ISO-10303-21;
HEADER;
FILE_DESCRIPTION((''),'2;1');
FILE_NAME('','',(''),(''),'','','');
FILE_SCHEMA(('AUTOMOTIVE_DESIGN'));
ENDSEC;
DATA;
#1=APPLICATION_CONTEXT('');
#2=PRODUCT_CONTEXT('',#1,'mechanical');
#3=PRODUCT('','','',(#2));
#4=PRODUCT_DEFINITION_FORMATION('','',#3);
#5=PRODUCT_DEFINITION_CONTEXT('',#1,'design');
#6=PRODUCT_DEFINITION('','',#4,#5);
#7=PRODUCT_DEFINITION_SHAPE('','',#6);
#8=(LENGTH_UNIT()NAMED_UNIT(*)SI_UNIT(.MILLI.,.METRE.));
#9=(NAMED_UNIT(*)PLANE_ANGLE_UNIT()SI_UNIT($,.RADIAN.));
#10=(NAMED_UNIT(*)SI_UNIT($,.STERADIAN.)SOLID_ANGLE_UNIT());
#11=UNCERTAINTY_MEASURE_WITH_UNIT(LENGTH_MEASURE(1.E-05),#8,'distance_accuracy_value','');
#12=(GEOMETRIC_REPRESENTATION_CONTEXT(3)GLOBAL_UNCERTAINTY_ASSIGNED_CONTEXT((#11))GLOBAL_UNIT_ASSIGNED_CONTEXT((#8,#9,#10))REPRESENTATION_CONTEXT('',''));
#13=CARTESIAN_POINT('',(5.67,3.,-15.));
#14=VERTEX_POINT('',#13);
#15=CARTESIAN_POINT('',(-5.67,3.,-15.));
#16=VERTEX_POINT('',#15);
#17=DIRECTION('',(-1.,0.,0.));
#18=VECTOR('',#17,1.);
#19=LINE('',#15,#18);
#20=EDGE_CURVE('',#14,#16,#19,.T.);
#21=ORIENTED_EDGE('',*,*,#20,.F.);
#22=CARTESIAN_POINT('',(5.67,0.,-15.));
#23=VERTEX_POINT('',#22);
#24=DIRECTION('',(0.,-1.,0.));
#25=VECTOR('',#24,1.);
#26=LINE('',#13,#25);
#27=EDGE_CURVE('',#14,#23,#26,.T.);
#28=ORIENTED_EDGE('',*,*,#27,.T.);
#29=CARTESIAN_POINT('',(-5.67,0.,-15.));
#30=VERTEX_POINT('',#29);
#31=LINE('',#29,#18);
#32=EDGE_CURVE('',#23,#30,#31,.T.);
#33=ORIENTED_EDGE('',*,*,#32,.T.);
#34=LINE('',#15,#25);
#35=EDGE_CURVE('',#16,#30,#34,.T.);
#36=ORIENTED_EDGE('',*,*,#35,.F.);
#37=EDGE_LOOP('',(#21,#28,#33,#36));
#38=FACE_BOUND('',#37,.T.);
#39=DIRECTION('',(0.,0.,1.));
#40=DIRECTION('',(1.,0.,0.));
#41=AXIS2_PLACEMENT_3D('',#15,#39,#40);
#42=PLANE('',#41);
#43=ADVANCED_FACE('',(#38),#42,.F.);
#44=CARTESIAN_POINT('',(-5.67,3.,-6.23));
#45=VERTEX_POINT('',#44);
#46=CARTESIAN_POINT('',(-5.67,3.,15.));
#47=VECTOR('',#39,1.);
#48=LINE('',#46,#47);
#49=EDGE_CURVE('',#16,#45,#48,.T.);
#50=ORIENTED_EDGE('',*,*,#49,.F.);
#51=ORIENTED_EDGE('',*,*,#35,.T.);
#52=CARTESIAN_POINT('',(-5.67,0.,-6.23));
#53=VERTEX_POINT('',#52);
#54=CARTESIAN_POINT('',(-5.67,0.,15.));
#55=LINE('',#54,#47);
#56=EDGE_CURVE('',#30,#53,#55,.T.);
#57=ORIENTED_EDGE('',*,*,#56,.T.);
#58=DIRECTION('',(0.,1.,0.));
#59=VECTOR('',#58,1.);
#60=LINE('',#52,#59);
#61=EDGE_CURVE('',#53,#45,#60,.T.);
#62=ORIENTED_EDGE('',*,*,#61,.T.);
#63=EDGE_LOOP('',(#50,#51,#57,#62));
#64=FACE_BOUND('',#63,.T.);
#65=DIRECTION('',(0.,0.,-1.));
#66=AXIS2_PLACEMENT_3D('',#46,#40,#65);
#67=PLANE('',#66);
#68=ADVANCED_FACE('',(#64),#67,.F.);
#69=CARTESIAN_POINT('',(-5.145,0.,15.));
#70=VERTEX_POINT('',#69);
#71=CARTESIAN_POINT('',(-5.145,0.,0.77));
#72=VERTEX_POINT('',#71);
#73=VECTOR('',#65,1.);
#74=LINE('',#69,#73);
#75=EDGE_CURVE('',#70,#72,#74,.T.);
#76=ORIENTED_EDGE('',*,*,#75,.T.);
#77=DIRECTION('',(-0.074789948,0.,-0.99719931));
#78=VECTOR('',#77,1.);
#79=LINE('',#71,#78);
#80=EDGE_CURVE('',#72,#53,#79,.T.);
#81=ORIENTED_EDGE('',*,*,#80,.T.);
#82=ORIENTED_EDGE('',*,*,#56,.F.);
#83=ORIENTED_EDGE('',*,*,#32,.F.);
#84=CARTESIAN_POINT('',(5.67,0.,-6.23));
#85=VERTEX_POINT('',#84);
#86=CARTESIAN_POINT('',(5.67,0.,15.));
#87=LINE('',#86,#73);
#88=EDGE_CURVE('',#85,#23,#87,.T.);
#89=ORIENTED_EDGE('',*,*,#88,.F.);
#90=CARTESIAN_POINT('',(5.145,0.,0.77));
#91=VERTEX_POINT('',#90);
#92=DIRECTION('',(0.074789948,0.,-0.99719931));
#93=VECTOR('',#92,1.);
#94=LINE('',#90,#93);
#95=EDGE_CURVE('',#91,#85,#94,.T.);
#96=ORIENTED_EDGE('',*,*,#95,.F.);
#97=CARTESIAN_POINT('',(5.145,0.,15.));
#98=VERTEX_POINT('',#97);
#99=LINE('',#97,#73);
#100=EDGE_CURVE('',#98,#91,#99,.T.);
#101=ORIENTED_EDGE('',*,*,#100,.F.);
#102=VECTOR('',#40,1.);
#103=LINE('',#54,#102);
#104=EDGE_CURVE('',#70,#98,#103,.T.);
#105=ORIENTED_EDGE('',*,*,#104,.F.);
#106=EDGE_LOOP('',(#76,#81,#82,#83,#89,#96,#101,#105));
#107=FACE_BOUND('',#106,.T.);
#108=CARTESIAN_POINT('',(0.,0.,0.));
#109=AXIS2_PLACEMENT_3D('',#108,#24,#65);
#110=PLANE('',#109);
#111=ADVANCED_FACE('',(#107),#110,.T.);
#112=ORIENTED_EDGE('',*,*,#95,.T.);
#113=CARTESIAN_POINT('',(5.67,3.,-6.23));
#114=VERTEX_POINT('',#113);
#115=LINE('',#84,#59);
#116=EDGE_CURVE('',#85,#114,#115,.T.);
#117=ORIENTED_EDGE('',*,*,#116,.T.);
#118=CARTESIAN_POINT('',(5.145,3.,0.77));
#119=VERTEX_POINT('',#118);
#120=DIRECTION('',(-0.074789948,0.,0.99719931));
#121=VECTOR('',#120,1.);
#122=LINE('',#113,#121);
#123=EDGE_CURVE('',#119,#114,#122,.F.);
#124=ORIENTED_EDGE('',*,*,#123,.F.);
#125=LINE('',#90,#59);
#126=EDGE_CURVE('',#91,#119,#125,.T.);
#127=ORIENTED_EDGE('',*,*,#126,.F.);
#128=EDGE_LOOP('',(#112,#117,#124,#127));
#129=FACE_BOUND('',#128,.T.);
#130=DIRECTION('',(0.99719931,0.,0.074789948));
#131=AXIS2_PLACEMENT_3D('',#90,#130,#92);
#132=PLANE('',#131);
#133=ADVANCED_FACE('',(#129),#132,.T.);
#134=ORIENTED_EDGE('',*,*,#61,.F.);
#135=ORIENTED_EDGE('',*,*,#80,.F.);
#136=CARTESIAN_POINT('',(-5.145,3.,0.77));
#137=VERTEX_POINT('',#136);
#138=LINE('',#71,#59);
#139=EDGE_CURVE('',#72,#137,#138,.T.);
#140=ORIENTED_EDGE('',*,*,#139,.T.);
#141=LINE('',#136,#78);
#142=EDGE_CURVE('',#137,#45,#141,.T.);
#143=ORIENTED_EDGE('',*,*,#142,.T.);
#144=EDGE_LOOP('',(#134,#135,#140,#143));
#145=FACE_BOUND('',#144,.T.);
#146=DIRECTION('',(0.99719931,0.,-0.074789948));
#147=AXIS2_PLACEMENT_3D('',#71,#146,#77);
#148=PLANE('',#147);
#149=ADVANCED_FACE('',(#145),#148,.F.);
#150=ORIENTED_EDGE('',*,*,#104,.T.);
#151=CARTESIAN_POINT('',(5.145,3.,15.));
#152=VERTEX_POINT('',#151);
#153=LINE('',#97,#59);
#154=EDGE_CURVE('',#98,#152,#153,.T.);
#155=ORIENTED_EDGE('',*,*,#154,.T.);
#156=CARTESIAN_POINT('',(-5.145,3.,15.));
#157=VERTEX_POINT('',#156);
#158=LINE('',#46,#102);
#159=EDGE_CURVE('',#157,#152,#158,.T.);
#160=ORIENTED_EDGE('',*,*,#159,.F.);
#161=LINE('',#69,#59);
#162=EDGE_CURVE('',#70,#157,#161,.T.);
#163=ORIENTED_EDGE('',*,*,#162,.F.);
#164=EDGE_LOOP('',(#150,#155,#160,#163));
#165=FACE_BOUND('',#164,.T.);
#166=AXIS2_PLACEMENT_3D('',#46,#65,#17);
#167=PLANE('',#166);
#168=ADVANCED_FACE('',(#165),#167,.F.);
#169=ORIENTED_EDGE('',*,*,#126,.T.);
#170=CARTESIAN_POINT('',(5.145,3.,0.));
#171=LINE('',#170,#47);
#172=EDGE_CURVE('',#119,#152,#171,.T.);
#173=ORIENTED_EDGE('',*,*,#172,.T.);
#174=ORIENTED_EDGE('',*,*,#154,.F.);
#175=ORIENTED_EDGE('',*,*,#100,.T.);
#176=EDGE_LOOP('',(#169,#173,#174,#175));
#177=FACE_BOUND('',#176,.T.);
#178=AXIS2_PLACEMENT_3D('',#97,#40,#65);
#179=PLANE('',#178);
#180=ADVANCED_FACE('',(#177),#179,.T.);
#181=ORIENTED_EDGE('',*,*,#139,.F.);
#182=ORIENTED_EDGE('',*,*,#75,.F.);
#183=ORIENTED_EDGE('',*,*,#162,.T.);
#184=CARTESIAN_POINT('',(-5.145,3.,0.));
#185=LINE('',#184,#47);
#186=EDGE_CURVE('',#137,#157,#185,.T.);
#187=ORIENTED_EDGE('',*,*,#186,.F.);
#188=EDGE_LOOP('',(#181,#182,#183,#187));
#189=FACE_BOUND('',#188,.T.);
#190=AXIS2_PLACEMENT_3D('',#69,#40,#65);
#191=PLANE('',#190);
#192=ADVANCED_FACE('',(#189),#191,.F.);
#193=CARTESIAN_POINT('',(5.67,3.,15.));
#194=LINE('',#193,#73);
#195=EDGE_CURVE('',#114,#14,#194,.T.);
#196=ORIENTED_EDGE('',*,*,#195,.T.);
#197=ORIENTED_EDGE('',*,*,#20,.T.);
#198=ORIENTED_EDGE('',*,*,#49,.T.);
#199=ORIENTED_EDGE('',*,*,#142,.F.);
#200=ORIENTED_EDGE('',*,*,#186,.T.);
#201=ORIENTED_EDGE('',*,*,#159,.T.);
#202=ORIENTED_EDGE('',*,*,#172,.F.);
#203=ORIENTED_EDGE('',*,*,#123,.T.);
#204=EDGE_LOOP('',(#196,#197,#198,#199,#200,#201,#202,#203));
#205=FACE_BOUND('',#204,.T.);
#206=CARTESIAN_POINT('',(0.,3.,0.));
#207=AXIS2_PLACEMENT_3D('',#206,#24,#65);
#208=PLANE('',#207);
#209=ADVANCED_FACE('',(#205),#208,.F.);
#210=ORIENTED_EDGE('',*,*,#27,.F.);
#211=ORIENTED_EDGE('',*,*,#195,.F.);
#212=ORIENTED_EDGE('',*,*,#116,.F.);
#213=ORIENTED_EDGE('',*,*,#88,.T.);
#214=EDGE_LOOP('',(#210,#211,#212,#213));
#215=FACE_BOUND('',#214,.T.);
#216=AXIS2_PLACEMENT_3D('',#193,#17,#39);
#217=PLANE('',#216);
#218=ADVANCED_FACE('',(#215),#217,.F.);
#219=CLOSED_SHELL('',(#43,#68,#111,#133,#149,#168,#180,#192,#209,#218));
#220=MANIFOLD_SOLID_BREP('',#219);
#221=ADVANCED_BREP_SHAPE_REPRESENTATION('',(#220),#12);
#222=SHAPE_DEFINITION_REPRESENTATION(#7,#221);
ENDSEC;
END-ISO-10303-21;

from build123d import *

# Parameters (mm, degrees)
SKETCH1_W           = 11.34
SKETCH1_H           = 30
BOSS_EXTRUDE1_DEPTH = 3
CUT_EXTRUDE1_START  = -4
CUT_EXTRUDE1_DEPTH  = 5


with BuildPart() as part:
    # Sketch1 → Boss-Extrude1 (new body)
    with BuildSketch(Plane(origin=(0, 0, 0), x_dir=(1, 0, 0), z_dir=(0, 1, 0))):
        Rectangle(SKETCH1_W, SKETCH1_H)
    extrude(amount=BOSS_EXTRUDE1_DEPTH)

    # Sketch2 → Cut-Extrude1 (cut)
    with BuildSketch(Plane(origin=(0, 3, 0), x_dir=(1, 0, 0), z_dir=(0, 1, 0)).offset(CUT_EXTRUDE1_START)):
        Polygon((-5.145, -15), (-5.145, -0.77), (-5.67, 6.23), (-5.67, -15), align=None)
    cut_extrude1 = extrude(amount=CUT_EXTRUDE1_DEPTH, mode=Mode.SUBTRACT)

    # Mirror1: Cut-Extrude1 across plane
    add(cut_extrude1.mirror(Plane(origin=(0, 0, 0), x_dir=(0, 0, 1), z_dir=(1, 0, 0))), mode=Mode.SUBTRACT)


solid = part.part
